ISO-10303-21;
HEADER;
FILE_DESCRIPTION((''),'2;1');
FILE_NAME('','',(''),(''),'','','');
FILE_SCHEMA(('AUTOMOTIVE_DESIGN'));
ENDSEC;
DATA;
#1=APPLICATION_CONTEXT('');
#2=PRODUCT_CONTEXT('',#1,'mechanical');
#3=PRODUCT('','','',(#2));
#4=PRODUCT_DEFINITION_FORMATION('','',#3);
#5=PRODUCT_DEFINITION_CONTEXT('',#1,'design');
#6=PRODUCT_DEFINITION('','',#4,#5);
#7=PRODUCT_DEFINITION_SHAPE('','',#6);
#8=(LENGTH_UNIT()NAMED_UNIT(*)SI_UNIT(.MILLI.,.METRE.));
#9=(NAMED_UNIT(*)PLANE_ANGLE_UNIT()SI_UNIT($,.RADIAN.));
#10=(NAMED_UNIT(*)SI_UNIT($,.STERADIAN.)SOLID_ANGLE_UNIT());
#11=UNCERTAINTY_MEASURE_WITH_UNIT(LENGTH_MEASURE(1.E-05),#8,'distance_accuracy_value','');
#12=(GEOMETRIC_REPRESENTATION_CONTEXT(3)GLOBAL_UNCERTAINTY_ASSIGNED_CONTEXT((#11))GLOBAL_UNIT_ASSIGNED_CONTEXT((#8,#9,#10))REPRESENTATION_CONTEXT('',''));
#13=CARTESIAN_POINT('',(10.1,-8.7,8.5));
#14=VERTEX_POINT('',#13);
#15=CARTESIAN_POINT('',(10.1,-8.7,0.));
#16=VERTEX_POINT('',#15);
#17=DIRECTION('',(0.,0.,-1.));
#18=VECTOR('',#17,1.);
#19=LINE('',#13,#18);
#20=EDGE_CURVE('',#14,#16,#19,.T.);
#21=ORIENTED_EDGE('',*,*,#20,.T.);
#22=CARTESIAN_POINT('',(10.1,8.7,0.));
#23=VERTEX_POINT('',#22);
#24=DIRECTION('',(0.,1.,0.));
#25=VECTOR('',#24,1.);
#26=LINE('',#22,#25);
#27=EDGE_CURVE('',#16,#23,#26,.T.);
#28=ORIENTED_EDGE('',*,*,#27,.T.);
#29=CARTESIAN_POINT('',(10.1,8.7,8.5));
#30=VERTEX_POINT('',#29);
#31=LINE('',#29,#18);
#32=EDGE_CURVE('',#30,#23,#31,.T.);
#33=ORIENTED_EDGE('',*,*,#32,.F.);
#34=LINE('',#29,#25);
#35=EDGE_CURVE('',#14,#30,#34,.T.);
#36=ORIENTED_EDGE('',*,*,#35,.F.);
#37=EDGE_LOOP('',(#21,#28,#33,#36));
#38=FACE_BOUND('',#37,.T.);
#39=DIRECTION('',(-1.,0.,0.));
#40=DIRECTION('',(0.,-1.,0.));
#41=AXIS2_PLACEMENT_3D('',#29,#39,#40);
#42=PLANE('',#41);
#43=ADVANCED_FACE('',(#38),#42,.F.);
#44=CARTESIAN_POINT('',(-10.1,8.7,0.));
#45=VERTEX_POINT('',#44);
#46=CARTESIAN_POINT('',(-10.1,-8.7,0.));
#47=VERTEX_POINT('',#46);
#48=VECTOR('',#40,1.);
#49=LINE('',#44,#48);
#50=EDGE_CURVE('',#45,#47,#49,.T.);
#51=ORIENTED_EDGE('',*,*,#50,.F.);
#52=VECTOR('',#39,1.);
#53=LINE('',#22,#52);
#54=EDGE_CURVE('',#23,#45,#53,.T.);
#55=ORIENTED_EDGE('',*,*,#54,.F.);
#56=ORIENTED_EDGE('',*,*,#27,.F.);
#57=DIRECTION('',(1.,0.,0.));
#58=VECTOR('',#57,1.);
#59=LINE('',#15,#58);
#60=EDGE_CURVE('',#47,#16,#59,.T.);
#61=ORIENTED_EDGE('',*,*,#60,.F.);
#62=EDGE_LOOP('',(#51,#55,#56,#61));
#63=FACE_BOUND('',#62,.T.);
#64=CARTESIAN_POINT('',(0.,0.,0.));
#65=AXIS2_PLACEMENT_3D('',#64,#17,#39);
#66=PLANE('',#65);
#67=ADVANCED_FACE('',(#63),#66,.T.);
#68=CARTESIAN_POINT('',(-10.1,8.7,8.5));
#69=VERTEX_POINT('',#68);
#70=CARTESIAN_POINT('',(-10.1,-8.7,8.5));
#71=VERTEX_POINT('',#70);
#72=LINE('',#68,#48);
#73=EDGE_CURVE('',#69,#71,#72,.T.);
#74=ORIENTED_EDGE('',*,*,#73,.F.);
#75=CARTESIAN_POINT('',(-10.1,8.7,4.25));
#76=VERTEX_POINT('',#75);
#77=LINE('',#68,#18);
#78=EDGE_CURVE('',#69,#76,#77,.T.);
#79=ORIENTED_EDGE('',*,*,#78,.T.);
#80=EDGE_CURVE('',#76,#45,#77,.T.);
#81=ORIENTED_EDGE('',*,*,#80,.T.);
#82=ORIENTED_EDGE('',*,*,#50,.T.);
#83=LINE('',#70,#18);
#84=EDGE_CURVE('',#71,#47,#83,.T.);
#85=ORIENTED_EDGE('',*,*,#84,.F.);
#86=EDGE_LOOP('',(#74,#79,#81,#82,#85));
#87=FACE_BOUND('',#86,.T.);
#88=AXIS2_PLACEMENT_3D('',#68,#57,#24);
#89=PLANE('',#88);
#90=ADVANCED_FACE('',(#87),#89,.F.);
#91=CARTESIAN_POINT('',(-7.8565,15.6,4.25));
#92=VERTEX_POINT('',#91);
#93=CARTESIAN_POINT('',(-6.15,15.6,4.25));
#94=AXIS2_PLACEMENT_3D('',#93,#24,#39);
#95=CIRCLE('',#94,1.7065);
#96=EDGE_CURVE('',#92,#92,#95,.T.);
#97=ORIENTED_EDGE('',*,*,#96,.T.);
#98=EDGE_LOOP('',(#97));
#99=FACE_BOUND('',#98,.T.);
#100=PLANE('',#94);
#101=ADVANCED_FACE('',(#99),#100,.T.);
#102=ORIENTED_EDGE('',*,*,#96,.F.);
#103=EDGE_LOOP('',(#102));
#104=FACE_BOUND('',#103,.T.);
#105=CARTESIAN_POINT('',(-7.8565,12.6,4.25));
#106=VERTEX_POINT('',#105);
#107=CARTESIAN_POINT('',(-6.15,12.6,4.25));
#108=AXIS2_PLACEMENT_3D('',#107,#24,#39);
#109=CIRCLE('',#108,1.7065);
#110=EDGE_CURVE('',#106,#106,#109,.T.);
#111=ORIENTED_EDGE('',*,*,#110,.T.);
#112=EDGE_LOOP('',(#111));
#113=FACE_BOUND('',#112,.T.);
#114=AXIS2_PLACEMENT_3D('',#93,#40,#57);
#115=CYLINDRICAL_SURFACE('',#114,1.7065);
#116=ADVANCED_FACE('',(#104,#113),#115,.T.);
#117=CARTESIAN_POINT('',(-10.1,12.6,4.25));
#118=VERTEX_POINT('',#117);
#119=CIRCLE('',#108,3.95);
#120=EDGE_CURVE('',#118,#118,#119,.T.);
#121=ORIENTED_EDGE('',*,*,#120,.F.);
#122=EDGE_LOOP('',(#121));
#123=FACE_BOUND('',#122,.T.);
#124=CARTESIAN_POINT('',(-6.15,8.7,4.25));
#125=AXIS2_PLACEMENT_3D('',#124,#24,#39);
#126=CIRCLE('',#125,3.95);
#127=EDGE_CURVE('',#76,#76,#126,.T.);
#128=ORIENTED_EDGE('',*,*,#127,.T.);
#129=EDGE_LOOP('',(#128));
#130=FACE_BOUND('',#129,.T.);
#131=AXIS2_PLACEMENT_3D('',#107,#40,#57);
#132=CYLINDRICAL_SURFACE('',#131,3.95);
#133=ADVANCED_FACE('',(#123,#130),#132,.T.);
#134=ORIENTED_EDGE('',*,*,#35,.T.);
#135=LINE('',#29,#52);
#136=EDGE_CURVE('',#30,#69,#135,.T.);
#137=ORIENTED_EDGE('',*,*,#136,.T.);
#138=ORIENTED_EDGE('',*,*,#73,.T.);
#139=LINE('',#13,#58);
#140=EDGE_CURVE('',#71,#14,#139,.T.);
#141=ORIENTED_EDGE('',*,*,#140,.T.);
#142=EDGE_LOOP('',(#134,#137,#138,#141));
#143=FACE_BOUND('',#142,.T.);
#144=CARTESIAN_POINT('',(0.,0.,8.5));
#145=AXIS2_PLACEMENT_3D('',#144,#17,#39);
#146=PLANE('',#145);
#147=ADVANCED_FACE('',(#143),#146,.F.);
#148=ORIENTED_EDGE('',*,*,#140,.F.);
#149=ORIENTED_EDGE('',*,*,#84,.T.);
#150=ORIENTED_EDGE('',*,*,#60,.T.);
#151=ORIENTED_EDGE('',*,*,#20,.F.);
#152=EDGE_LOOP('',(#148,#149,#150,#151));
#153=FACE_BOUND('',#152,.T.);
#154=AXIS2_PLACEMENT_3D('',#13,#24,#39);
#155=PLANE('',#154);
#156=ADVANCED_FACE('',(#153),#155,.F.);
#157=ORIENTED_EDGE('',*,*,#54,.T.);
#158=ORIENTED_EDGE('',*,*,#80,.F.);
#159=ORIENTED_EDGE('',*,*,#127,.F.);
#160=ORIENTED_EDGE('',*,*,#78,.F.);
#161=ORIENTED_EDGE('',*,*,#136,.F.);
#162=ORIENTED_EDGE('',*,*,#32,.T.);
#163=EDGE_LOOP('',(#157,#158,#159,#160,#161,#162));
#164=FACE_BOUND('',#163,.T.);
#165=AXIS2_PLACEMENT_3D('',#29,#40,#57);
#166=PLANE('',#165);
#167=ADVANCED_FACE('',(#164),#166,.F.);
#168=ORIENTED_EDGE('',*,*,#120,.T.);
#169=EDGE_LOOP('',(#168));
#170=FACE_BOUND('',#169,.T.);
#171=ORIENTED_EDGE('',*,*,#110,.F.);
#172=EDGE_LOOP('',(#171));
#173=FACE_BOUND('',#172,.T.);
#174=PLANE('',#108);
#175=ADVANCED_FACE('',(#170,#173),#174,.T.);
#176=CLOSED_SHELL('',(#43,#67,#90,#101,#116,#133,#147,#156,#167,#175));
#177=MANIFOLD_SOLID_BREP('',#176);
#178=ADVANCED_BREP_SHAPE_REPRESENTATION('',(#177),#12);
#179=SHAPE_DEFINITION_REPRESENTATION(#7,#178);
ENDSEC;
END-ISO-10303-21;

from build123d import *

# Parameters (mm, degrees)
SKETCH1_W           = 20.2
SKETCH1_H           = 17.4
BOSS_EXTRUDE1_DEPTH = 8.5
SKETCH2_R           = 3.95
BOSS_EXTRUDE2_DEPTH = 3.9
SKETCH3_R           = 1.7065
BOSS_EXTRUDE3_DEPTH = 3


with BuildPart() as part:
    # Sketch1 → Boss-Extrude1 (new body)
    with BuildSketch(Plane.XY):
        Rectangle(SKETCH1_W, SKETCH1_H)
    extrude(amount=BOSS_EXTRUDE1_DEPTH)

    # Sketch2 → Boss-Extrude2 (add)
    with BuildSketch(Plane(origin=(0, 8.7, 0), x_dir=(1, 0, 0), z_dir=(0, 1, 0))):
        with Locations(Location((-6.15, -4.25, 0), (0, 0, 180))):
            Circle(SKETCH2_R)
    extrude(amount=BOSS_EXTRUDE2_DEPTH)

    # Sketch3 → Boss-Extrude3 (add)
    with BuildSketch(Plane(origin=(0, 12.6, 0), x_dir=(1, 0, 0), z_dir=(0, 1, 0))):
        with Locations(Location((-6.15, -4.25, 0), (0, 0, 180))):
            Circle(SKETCH3_R)
    extrude(amount=BOSS_EXTRUDE3_DEPTH)


solid = part.part
